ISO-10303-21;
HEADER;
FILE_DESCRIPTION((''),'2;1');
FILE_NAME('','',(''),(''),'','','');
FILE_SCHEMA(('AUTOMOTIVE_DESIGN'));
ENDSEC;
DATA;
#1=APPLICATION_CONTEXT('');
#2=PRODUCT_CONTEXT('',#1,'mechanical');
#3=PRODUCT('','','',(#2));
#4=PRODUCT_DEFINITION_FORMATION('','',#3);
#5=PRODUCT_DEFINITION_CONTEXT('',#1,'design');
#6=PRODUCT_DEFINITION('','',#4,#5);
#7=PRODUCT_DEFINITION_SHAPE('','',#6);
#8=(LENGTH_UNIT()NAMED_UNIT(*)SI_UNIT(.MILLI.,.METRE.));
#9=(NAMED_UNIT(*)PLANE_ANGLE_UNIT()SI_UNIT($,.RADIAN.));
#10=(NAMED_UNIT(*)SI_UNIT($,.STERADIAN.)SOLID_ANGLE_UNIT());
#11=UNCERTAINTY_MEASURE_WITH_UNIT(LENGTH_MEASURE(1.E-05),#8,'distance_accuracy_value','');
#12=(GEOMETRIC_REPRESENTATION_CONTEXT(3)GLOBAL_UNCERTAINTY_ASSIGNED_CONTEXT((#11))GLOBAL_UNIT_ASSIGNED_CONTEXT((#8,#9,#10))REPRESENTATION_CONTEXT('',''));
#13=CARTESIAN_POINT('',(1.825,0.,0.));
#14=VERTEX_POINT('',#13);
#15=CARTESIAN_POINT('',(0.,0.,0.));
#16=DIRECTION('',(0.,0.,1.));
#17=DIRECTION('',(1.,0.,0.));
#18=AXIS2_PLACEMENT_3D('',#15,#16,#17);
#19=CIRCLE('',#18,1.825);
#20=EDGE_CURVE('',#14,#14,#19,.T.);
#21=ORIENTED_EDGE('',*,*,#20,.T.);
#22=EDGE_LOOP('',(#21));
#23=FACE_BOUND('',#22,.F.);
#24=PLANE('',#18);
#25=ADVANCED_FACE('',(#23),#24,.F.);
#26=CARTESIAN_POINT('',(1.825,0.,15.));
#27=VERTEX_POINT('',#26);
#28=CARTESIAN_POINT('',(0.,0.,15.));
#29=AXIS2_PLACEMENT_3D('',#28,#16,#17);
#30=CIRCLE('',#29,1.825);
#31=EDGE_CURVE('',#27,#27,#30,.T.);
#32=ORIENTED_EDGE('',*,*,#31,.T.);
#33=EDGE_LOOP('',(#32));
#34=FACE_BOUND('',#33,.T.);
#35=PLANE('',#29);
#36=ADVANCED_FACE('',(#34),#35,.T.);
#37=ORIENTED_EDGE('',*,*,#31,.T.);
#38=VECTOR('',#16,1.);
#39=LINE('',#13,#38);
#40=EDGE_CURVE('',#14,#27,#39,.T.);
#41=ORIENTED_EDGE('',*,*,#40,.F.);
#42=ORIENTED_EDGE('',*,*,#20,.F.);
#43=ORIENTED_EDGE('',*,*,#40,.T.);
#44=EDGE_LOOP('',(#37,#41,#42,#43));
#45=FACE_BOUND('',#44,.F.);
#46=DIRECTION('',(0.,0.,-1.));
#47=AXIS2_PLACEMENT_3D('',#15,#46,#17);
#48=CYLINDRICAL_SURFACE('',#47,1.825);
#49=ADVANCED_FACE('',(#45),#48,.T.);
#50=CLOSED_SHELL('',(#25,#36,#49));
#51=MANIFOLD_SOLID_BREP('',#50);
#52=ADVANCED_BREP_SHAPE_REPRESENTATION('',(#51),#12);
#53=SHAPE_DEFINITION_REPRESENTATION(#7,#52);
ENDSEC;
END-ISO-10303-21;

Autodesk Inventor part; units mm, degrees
ref_plane "YZ Plane" through (0, 0, 0) normal (1, 0, 0) x (0, 1, 0)
ref_plane "XZ Plane" through (0, 0, 0) normal (0, 1, 0) x (-1, 0, 0)
ref_plane "XY Plane" through (0, 0, 0) normal (0, 0, 1) x (1, 0, 0)
sketch "Sketch1" plane through (0, 0, 0) normal (0, 0, 1) x (1, 0, 0)
  circle A0 centre (0, 0) radius 1.825
  dimension "d0" = 3.65
extrude "Extrusion1" add sketch "Sketch1" along normal blind 15
properties part number "Screw 6-32"
